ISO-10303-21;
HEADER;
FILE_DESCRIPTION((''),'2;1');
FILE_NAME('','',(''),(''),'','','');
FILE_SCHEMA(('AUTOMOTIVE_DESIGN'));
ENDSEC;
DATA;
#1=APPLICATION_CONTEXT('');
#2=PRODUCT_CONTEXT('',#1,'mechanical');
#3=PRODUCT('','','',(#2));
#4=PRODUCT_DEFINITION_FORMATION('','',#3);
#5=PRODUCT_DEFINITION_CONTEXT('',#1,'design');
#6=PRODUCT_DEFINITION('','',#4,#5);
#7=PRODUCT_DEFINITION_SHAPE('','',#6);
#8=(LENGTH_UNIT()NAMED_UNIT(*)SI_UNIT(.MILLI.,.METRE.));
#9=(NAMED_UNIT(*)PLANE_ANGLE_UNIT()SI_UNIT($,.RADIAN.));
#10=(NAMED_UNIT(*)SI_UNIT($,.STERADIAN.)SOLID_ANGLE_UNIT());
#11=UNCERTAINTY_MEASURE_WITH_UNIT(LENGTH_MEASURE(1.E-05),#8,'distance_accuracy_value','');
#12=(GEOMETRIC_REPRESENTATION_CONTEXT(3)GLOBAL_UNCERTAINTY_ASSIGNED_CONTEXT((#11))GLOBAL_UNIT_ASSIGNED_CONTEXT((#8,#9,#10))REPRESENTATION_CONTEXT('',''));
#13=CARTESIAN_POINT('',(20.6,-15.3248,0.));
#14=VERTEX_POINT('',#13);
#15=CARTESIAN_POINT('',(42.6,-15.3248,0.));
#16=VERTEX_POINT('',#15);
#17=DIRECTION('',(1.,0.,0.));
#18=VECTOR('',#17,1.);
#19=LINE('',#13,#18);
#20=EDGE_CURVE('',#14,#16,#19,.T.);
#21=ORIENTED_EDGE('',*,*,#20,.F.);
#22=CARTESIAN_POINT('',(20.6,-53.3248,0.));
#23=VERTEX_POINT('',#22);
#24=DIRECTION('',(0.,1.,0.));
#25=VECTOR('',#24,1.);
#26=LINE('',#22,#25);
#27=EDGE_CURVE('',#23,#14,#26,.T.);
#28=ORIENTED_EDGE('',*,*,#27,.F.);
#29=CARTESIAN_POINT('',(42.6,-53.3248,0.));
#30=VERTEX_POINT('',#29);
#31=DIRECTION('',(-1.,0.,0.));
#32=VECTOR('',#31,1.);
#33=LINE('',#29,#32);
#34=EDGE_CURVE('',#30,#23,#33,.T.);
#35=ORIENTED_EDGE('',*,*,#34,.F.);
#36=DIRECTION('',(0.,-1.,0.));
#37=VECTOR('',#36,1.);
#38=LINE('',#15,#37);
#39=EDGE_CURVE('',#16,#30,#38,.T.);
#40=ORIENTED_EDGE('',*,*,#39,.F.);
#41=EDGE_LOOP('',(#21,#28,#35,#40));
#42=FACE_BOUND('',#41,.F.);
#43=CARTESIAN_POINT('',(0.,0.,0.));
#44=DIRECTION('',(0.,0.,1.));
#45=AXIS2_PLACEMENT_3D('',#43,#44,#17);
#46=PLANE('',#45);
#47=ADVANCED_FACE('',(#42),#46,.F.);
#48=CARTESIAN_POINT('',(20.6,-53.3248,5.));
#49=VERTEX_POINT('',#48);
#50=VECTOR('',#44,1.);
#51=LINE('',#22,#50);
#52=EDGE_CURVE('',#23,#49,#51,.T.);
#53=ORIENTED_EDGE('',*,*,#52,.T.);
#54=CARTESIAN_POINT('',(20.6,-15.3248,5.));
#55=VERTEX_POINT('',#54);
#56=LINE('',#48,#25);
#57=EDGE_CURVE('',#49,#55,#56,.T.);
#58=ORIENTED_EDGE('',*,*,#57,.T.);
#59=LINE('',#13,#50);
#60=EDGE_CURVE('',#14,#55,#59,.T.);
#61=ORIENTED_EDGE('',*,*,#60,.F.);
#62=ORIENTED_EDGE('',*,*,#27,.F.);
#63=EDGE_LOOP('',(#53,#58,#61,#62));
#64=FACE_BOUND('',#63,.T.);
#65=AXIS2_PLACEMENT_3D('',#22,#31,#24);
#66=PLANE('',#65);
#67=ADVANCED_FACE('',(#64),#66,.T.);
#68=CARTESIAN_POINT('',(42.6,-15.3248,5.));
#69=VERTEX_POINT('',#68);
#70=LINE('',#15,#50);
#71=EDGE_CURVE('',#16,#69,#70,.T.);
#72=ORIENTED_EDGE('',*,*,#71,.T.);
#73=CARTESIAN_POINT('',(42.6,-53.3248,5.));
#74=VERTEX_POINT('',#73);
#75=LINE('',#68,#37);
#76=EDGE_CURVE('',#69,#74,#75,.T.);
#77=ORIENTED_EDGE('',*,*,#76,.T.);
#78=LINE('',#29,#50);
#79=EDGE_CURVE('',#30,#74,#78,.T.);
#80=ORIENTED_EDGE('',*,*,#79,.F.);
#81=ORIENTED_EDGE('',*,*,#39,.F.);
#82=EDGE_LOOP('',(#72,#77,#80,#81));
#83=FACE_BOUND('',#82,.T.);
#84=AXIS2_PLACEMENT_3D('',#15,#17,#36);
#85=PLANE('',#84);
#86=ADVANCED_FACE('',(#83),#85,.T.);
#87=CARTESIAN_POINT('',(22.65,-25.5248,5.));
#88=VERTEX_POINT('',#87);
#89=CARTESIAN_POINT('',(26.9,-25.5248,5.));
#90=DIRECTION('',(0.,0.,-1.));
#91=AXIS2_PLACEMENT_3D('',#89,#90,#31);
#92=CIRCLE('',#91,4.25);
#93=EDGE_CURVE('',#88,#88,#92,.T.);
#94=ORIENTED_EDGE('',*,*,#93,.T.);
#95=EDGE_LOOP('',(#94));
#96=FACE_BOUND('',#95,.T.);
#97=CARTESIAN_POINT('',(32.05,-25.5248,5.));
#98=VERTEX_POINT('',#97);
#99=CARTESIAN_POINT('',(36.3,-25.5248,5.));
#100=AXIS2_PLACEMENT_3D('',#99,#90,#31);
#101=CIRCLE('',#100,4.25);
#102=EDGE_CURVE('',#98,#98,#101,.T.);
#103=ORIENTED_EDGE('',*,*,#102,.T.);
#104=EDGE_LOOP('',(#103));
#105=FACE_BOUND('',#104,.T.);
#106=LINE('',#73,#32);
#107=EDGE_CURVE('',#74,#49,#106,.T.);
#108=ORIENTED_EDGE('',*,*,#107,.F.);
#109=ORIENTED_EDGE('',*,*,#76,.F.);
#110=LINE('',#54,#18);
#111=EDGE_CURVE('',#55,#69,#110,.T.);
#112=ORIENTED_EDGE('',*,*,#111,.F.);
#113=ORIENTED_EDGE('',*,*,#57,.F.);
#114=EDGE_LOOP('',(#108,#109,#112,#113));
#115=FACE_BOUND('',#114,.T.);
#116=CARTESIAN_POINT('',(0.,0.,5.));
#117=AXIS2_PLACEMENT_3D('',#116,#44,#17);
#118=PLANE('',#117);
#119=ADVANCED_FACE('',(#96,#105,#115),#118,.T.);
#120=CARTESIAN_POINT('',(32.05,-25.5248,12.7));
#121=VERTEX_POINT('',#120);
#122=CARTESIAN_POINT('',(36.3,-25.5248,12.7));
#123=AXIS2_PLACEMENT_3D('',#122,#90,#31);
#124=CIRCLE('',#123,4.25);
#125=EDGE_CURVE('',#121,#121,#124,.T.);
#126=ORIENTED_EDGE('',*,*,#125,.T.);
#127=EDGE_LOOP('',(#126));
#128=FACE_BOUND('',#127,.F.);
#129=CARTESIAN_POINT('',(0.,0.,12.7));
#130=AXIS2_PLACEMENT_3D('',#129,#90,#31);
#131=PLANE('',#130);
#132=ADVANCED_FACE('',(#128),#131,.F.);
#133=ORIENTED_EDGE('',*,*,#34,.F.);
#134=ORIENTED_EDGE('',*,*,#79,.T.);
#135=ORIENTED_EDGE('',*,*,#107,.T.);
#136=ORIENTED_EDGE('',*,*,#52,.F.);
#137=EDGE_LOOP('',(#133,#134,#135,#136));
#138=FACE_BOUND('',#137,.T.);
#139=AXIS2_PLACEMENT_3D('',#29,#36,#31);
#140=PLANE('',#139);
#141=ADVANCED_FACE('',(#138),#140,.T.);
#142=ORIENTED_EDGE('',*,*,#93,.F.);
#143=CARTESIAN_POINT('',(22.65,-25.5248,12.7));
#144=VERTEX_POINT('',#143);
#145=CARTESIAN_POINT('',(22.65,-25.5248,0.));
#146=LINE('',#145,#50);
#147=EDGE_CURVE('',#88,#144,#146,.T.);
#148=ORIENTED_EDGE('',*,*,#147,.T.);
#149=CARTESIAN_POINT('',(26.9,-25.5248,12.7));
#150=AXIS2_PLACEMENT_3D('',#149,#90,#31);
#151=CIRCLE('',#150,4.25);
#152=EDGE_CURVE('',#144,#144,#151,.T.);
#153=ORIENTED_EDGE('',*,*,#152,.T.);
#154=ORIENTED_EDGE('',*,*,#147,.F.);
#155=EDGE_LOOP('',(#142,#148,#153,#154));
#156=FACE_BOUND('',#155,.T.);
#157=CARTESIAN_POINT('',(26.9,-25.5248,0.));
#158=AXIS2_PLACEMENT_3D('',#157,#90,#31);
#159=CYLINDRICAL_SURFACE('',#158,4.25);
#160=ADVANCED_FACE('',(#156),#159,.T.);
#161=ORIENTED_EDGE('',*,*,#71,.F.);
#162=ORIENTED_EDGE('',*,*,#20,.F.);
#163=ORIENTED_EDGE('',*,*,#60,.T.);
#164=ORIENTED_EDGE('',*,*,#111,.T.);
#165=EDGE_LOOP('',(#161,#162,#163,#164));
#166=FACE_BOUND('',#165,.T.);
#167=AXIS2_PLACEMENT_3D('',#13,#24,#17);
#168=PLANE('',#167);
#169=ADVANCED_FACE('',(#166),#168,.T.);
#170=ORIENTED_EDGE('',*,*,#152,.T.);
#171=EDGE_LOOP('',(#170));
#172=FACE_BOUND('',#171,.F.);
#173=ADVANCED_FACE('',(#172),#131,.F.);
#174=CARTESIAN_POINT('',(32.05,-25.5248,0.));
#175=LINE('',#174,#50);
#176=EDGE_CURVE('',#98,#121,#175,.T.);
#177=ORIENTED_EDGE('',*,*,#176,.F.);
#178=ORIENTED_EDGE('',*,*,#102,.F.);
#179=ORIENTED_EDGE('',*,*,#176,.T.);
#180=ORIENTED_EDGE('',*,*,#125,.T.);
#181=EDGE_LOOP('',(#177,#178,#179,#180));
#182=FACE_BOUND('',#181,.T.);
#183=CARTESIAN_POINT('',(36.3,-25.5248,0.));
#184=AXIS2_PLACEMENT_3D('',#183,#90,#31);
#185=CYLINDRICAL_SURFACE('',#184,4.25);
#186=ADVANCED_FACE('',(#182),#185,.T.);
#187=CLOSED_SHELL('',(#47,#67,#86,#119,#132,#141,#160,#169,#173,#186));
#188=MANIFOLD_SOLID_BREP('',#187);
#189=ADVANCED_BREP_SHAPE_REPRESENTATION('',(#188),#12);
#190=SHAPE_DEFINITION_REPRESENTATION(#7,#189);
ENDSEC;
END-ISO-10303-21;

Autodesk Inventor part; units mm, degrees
ref_plane "YZ Plane" through (0, 0, 0) normal (1, 0, 0) x (0, 1, 0)
ref_plane "XZ Plane" through (0, 0, 0) normal (0, 1, 0) x (-1, 0, 0)
ref_plane "XY Plane" through (0, 0, 0) normal (0, 0, 1) x (1, 0, 0)
sketch "スケッチ1" plane through (0, 0, 0) normal (0, 0, 1) x (1, 0, 0)
  line L0 (0, 0) -> (62, 0) construction
  line L1 (62, 0) -> (62, -62) construction
  line L2 (62, -62) -> (0, -62) construction
  line L3 (0, -62) -> (0, 0) construction
  line L4 (20.6, -15.3248) -> (42.6, -15.3248)
  line L5 (42.6, -15.3248) -> (42.6, -53.3248)
  line L6 (42.6, -53.3248) -> (20.6, -53.3248)
  line L7 (20.6, -53.3248) -> (20.6, -15.3248)
  circle A0 centre (26.9, -25.5248) radius 4.25
  circle A1 centre (36.3, -25.5248) radius 4.25
  dimension "d1" = 22
  dimension "d2" = 38
  dimension "d3" = 62
  dimension "d12" = 15.3248
  dimension "d16" = 20.6
  dimension "d17" = 8.5
  dimension "d18" = 8.5
  dimension "d19" = 6.3
  dimension "d25" = 10.2
  dimension "d31" = 6.3
extrude "押し出し1" add sketch "スケッチ1" along normal blind 5
sketch "スケッチ2" plane through (0, 0, 0) normal (0, 0, -1) x (-1, 0, 0)
  circle A0 centre (-36.3, -25.5248) radius 4.25 projected
  circle A1 centre (-26.9, -25.5248) radius 4.25 projected
  point P0 (0, 0)
extrude "押し出し2" add sketch "スケッチ2" against normal blind 12.7
equation "\"d17\" = d18"
equation "\"d31\" = d19"
properties part number "サイドワインダーマイクロ2"
